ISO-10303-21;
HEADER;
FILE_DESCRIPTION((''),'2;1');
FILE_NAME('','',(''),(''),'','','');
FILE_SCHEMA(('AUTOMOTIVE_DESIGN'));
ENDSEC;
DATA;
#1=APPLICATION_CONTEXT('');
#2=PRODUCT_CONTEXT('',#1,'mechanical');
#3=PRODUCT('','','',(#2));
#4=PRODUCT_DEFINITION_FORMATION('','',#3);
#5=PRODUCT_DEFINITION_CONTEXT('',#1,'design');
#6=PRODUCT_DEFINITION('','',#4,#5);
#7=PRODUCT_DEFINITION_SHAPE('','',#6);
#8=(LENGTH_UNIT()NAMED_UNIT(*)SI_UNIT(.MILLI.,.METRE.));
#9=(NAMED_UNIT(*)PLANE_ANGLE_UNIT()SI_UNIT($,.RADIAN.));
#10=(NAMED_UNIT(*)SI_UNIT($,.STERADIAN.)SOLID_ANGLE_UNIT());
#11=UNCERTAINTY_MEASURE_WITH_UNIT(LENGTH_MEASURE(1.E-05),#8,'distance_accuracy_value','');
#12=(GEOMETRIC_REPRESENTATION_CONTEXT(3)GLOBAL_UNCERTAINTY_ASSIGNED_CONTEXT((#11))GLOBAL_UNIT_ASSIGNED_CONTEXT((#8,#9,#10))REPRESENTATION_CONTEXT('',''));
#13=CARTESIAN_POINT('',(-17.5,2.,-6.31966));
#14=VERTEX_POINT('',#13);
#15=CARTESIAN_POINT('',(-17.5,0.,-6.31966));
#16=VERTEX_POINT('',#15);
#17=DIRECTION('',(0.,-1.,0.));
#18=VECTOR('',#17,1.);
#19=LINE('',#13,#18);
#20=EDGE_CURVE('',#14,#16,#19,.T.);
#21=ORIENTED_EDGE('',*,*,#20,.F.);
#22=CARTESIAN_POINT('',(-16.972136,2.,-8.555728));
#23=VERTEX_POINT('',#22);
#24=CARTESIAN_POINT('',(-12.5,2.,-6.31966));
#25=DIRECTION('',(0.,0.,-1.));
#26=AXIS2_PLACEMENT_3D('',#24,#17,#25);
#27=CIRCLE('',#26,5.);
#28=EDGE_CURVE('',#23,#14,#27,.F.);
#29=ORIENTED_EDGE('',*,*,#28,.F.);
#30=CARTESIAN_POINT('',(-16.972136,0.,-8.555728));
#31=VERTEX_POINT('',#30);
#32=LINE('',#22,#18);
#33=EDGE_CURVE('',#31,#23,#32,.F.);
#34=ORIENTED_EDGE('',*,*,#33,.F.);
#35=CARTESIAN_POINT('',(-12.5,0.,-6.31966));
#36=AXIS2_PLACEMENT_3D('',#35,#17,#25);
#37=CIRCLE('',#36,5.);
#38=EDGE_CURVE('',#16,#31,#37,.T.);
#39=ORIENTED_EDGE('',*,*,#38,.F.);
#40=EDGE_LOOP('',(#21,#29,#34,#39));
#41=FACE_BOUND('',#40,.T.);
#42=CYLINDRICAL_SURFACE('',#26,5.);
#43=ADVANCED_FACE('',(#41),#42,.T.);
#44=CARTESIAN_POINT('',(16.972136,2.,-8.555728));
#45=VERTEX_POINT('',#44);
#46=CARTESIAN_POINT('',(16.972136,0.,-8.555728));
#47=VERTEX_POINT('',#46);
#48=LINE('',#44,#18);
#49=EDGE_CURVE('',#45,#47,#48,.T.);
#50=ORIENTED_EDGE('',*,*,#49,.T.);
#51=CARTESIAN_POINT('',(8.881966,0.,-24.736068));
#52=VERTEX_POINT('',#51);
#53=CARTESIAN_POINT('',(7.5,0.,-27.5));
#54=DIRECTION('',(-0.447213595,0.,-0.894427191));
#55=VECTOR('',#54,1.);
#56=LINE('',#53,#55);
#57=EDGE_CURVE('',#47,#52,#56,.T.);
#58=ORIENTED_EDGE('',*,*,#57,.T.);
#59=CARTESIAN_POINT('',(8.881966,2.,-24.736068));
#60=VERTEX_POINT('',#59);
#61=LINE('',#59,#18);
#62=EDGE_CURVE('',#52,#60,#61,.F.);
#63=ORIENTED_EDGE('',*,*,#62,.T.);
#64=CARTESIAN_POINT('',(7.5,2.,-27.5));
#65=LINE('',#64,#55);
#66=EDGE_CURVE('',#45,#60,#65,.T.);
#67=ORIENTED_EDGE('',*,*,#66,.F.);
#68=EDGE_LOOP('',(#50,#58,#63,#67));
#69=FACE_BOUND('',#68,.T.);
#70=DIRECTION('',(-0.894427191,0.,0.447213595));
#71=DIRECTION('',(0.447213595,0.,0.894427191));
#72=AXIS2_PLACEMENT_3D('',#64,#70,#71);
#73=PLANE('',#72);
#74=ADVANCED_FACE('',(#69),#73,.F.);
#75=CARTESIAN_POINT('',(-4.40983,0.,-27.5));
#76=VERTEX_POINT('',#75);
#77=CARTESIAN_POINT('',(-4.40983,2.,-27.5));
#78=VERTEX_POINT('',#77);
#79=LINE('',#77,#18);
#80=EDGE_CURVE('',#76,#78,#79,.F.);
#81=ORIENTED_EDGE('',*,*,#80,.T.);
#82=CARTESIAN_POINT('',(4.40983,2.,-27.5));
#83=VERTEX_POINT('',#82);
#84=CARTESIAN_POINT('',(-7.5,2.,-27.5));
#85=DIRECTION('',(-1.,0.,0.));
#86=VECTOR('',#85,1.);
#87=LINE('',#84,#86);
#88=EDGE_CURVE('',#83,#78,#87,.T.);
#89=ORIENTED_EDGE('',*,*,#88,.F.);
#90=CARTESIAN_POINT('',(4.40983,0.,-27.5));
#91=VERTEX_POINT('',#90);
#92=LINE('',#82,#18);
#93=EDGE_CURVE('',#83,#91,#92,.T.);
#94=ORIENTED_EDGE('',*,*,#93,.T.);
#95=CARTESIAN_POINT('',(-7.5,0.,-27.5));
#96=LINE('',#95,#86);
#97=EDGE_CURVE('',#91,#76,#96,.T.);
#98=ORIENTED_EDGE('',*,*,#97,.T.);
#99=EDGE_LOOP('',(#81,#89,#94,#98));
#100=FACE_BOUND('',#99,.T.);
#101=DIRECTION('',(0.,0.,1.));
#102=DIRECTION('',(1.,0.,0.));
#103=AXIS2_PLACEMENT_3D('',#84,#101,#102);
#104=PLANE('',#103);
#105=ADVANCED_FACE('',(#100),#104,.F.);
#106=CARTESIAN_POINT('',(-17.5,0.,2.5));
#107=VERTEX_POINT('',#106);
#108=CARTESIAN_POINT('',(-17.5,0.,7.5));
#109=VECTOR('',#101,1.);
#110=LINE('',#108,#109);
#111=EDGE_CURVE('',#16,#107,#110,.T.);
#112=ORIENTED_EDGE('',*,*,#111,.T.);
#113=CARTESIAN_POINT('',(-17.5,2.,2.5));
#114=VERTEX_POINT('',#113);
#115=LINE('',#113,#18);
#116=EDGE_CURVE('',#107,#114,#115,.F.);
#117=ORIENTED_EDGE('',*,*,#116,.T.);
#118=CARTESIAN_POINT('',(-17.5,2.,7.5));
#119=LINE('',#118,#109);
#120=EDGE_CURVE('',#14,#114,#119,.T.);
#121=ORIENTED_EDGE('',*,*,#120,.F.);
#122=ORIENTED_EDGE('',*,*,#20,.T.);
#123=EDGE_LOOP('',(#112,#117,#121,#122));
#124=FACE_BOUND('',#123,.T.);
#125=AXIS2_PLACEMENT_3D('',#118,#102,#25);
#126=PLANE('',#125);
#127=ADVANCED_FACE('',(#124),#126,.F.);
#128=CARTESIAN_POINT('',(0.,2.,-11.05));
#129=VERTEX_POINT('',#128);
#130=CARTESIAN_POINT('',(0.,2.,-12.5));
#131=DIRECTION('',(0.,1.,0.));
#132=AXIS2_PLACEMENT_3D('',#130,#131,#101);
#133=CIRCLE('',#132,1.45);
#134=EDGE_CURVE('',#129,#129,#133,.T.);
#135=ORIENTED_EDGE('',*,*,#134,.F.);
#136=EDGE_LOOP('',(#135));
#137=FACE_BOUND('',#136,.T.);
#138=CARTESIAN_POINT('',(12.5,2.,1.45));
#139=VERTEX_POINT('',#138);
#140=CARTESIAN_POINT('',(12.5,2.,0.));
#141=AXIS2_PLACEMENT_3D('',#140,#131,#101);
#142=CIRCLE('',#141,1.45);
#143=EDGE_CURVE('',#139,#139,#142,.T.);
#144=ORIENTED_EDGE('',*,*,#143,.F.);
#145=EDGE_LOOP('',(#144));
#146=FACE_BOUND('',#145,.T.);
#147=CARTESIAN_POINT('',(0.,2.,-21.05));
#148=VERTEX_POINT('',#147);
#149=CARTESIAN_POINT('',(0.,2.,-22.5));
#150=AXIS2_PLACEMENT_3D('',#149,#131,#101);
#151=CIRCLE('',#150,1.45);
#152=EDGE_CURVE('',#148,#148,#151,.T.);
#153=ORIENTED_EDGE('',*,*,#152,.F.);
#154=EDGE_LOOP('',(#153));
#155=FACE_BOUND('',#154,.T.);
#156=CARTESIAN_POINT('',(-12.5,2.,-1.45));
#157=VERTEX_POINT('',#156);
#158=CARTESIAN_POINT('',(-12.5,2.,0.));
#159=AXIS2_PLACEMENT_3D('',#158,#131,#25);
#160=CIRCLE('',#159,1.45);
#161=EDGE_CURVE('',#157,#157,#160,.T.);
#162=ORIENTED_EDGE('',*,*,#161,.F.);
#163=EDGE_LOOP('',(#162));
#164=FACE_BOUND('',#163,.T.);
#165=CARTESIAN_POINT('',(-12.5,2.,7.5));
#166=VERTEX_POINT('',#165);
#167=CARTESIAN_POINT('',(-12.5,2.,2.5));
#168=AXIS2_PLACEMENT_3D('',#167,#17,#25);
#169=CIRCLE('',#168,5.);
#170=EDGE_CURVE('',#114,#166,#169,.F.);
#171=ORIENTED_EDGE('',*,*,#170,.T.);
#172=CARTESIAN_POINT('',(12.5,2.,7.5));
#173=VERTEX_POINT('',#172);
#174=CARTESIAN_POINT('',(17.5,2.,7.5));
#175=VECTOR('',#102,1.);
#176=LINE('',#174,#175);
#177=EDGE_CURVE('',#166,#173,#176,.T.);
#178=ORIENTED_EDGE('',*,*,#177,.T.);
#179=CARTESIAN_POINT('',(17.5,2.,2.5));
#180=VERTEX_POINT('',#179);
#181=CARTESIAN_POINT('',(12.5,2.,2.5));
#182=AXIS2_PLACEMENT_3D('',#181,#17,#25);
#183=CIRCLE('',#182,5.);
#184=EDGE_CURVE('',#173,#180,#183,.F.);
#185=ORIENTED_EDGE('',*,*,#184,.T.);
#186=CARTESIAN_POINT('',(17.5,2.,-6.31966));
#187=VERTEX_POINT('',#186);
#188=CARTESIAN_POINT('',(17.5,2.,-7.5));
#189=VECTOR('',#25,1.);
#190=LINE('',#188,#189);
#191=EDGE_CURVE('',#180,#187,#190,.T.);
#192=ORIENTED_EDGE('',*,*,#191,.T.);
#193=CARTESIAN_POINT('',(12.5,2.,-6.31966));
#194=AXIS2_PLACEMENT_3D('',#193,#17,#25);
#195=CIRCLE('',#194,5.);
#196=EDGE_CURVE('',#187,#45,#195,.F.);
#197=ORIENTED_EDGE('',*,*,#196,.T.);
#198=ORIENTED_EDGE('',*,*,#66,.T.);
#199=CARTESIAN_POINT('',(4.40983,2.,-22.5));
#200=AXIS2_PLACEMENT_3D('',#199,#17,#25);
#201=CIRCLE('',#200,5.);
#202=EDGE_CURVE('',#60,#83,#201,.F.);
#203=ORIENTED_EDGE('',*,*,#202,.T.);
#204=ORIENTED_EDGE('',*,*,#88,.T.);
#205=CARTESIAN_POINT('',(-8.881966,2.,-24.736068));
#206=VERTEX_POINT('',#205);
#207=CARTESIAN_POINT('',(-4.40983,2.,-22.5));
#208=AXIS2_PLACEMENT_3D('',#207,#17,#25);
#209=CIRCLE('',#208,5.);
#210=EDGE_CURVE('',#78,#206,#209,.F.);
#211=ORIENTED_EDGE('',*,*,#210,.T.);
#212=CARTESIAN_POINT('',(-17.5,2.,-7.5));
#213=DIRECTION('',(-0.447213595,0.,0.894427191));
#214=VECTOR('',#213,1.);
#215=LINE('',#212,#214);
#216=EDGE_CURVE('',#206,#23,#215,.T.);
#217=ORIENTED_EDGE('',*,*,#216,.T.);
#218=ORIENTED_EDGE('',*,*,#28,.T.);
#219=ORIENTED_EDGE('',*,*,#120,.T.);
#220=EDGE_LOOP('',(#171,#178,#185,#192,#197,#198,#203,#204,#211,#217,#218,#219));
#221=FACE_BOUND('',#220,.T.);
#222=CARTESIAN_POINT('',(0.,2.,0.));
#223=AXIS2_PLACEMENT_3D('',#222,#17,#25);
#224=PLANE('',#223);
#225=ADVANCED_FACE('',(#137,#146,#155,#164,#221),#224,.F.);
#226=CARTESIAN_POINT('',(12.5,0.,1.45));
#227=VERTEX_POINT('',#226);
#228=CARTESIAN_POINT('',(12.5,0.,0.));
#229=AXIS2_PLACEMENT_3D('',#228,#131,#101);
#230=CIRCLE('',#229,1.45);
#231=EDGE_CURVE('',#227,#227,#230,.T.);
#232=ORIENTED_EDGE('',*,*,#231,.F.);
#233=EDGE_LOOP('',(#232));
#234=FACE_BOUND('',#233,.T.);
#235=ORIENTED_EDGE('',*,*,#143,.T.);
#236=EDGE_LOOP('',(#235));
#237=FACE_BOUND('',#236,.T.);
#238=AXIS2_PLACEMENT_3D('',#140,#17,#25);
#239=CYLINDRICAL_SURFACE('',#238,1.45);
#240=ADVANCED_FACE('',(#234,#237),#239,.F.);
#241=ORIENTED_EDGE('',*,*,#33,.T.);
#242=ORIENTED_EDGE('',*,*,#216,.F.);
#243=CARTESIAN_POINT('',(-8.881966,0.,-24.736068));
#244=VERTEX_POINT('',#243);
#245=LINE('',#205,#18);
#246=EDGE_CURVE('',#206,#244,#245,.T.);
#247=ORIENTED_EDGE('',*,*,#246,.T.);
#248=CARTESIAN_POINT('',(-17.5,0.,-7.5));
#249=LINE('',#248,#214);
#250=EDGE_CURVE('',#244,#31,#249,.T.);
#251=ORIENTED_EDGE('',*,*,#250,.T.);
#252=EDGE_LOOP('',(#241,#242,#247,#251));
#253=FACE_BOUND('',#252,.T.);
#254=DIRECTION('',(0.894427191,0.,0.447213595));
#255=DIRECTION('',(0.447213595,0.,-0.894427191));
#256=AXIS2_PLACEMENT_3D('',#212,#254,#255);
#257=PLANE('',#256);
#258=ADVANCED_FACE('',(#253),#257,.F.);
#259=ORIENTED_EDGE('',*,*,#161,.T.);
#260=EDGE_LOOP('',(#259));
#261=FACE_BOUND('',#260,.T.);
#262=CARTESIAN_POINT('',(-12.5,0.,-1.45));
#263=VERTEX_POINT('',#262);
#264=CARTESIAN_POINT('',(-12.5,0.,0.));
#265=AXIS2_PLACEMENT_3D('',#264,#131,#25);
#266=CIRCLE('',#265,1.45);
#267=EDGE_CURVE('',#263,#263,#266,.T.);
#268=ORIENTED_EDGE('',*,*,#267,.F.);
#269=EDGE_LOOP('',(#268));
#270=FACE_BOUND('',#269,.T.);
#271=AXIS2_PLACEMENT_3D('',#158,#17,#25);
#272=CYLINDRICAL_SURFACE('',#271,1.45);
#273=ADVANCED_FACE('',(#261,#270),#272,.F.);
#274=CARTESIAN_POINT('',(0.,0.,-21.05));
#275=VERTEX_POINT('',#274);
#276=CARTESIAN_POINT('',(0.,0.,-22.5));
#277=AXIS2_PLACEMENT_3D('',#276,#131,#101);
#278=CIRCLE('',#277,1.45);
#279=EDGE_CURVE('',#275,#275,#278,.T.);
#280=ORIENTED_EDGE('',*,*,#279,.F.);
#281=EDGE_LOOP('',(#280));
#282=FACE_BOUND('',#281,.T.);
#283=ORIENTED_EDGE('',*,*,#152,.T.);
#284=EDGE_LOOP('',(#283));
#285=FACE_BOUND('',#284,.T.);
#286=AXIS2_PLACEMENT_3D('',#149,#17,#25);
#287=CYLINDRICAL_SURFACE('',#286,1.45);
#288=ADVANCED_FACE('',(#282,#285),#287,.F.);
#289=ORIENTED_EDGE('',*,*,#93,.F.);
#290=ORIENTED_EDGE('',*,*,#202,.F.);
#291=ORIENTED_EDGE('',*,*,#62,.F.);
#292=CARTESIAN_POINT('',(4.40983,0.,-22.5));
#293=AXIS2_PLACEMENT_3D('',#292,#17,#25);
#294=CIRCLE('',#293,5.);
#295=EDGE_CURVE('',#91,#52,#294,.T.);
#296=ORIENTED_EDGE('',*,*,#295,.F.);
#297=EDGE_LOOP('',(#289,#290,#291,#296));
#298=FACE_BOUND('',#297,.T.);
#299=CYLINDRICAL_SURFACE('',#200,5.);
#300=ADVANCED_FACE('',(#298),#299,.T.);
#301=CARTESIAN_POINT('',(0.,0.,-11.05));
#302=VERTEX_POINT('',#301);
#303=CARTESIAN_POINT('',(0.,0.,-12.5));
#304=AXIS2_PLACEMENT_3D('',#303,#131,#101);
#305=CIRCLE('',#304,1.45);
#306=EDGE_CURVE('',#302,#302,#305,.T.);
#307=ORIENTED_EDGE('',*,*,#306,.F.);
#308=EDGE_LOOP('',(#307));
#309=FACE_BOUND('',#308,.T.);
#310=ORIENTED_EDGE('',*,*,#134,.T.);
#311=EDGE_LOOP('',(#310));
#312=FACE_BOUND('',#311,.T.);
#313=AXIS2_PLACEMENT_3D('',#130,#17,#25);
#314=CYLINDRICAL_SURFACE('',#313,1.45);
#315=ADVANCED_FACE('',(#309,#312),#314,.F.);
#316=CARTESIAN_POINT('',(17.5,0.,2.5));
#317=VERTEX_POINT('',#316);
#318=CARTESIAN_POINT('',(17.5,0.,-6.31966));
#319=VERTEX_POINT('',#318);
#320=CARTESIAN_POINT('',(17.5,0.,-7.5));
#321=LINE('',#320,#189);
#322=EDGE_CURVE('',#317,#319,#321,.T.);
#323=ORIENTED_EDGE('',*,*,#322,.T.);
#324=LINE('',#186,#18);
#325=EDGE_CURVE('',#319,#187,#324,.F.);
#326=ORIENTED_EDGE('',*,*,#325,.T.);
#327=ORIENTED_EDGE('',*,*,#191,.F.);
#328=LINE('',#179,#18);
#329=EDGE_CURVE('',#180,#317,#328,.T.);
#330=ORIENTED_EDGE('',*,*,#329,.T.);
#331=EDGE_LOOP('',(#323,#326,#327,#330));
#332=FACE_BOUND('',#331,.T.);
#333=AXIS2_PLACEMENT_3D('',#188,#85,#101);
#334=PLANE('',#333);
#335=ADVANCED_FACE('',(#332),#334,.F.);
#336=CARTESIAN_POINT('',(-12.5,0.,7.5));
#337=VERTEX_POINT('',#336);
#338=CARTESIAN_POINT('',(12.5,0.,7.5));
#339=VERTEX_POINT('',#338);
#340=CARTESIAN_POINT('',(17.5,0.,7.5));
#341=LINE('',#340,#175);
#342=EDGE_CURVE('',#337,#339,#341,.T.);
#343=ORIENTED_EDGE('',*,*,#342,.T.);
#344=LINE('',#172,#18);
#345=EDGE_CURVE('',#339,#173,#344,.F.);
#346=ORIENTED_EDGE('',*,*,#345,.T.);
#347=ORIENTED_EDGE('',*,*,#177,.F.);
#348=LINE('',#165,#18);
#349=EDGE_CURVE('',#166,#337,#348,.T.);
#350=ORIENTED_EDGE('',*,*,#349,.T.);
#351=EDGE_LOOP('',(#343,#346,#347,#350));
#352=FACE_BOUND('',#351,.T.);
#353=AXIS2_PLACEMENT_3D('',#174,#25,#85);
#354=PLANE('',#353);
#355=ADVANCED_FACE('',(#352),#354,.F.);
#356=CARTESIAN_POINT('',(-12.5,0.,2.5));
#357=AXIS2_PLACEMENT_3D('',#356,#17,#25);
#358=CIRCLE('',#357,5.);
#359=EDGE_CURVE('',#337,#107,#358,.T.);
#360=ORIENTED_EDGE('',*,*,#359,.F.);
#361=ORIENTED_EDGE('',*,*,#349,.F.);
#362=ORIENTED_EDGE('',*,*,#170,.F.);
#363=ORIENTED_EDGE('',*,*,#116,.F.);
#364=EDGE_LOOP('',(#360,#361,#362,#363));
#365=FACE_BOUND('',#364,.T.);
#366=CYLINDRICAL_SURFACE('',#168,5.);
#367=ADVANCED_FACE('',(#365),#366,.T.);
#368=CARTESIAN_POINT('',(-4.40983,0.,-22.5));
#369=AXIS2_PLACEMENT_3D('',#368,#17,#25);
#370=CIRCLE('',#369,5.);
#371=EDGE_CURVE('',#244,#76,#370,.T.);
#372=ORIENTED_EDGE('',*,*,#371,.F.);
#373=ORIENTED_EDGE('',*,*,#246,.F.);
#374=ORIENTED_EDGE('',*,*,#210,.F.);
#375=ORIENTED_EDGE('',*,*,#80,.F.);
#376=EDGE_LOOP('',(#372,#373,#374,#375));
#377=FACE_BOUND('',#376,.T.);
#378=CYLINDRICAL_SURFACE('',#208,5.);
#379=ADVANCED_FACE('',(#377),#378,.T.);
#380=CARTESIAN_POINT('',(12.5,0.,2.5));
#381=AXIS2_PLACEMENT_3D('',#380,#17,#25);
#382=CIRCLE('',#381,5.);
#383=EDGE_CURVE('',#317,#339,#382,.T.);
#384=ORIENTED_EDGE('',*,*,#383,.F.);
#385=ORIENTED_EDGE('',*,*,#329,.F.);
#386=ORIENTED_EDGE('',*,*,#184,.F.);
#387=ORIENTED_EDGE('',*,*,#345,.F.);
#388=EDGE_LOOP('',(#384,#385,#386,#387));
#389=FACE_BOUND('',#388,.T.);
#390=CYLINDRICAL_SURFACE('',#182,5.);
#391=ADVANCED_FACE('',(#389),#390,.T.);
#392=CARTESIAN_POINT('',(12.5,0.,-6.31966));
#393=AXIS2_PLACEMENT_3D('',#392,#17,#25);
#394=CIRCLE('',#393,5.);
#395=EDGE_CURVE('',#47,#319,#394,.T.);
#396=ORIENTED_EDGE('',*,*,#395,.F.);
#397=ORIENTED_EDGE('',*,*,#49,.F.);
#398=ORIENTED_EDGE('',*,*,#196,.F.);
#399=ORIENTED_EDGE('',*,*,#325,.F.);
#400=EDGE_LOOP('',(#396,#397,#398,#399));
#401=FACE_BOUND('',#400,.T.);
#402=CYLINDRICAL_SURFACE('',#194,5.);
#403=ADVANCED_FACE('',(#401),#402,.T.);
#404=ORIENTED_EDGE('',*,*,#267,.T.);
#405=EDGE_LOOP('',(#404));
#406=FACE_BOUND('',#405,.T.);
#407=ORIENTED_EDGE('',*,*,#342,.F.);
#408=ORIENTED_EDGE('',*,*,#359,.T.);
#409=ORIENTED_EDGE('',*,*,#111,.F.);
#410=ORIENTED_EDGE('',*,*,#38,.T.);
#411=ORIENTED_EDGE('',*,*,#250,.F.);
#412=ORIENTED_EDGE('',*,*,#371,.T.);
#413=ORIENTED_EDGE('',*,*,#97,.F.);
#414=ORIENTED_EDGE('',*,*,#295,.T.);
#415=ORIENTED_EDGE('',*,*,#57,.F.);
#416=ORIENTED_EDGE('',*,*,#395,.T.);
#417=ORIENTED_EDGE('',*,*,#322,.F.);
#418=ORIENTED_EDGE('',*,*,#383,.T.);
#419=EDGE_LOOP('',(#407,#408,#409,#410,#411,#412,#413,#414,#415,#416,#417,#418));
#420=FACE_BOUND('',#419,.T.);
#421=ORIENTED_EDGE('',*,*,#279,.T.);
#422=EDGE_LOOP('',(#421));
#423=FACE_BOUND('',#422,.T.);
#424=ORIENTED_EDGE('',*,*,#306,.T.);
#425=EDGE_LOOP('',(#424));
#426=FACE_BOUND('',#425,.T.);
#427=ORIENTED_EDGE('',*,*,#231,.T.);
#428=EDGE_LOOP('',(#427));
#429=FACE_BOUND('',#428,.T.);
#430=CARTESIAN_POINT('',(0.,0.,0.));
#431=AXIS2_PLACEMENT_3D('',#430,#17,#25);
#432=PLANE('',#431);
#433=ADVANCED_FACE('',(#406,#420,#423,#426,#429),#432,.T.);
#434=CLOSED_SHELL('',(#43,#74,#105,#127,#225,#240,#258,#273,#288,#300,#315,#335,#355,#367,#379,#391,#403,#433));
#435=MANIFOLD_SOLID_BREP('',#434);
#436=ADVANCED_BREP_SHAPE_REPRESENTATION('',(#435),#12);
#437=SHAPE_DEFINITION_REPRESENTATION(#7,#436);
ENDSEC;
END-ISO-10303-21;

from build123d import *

# Parameters (mm, degrees)
SKETCH_1_R      = 1.45
EXTRUDE_1_DEPTH = 2
FILLET_1_R      = 5


with BuildPart() as part:
    # 草图1 → 凸台-拉伸1 (new body)
    with BuildSketch(Plane(origin=(0, 0, 0), x_dir=(1, 0, 0), z_dir=(0, 1, 0))):
        Polygon((-17.5, -7.5), (-17.5, 7.5), (-7.5, 27.5), (7.5, 27.5), (17.5, 7.5), (17.5, -7.5), align=None)
        with Locations(Location((12.5, 0, 0), (0, 0, 270))):
            Circle(SKETCH_1_R, mode=Mode.SUBTRACT)
        with Locations(Location((0, 12.5, 0), (0, 0, 270))):
            Circle(SKETCH_1_R, mode=Mode.SUBTRACT)
        with Locations(Location((0, 22.5, 0), (0, 0, 270))):
            Circle(SKETCH_1_R, mode=Mode.SUBTRACT)
        with Locations(Location((-12.5, 0, 0), (0, 0, 90))):
            Circle(SKETCH_1_R, mode=Mode.SUBTRACT)
    extrude(amount=EXTRUDE_1_DEPTH)

    # 圆角1
    fillet_1_edges = [part.edges().sort_by_distance(p)[0] for p in [
        (17.5, 1, 7.5),
        (-17.5, 1, 7.5),
        (-17.5, 1, -7.5),
        (-7.5, 1, -27.5),
        (7.5, 1, -27.5),
        (17.5, 1, -7.5),
    ]]
    fillet(fillet_1_edges, radius=FILLET_1_R)


solid = part.part
